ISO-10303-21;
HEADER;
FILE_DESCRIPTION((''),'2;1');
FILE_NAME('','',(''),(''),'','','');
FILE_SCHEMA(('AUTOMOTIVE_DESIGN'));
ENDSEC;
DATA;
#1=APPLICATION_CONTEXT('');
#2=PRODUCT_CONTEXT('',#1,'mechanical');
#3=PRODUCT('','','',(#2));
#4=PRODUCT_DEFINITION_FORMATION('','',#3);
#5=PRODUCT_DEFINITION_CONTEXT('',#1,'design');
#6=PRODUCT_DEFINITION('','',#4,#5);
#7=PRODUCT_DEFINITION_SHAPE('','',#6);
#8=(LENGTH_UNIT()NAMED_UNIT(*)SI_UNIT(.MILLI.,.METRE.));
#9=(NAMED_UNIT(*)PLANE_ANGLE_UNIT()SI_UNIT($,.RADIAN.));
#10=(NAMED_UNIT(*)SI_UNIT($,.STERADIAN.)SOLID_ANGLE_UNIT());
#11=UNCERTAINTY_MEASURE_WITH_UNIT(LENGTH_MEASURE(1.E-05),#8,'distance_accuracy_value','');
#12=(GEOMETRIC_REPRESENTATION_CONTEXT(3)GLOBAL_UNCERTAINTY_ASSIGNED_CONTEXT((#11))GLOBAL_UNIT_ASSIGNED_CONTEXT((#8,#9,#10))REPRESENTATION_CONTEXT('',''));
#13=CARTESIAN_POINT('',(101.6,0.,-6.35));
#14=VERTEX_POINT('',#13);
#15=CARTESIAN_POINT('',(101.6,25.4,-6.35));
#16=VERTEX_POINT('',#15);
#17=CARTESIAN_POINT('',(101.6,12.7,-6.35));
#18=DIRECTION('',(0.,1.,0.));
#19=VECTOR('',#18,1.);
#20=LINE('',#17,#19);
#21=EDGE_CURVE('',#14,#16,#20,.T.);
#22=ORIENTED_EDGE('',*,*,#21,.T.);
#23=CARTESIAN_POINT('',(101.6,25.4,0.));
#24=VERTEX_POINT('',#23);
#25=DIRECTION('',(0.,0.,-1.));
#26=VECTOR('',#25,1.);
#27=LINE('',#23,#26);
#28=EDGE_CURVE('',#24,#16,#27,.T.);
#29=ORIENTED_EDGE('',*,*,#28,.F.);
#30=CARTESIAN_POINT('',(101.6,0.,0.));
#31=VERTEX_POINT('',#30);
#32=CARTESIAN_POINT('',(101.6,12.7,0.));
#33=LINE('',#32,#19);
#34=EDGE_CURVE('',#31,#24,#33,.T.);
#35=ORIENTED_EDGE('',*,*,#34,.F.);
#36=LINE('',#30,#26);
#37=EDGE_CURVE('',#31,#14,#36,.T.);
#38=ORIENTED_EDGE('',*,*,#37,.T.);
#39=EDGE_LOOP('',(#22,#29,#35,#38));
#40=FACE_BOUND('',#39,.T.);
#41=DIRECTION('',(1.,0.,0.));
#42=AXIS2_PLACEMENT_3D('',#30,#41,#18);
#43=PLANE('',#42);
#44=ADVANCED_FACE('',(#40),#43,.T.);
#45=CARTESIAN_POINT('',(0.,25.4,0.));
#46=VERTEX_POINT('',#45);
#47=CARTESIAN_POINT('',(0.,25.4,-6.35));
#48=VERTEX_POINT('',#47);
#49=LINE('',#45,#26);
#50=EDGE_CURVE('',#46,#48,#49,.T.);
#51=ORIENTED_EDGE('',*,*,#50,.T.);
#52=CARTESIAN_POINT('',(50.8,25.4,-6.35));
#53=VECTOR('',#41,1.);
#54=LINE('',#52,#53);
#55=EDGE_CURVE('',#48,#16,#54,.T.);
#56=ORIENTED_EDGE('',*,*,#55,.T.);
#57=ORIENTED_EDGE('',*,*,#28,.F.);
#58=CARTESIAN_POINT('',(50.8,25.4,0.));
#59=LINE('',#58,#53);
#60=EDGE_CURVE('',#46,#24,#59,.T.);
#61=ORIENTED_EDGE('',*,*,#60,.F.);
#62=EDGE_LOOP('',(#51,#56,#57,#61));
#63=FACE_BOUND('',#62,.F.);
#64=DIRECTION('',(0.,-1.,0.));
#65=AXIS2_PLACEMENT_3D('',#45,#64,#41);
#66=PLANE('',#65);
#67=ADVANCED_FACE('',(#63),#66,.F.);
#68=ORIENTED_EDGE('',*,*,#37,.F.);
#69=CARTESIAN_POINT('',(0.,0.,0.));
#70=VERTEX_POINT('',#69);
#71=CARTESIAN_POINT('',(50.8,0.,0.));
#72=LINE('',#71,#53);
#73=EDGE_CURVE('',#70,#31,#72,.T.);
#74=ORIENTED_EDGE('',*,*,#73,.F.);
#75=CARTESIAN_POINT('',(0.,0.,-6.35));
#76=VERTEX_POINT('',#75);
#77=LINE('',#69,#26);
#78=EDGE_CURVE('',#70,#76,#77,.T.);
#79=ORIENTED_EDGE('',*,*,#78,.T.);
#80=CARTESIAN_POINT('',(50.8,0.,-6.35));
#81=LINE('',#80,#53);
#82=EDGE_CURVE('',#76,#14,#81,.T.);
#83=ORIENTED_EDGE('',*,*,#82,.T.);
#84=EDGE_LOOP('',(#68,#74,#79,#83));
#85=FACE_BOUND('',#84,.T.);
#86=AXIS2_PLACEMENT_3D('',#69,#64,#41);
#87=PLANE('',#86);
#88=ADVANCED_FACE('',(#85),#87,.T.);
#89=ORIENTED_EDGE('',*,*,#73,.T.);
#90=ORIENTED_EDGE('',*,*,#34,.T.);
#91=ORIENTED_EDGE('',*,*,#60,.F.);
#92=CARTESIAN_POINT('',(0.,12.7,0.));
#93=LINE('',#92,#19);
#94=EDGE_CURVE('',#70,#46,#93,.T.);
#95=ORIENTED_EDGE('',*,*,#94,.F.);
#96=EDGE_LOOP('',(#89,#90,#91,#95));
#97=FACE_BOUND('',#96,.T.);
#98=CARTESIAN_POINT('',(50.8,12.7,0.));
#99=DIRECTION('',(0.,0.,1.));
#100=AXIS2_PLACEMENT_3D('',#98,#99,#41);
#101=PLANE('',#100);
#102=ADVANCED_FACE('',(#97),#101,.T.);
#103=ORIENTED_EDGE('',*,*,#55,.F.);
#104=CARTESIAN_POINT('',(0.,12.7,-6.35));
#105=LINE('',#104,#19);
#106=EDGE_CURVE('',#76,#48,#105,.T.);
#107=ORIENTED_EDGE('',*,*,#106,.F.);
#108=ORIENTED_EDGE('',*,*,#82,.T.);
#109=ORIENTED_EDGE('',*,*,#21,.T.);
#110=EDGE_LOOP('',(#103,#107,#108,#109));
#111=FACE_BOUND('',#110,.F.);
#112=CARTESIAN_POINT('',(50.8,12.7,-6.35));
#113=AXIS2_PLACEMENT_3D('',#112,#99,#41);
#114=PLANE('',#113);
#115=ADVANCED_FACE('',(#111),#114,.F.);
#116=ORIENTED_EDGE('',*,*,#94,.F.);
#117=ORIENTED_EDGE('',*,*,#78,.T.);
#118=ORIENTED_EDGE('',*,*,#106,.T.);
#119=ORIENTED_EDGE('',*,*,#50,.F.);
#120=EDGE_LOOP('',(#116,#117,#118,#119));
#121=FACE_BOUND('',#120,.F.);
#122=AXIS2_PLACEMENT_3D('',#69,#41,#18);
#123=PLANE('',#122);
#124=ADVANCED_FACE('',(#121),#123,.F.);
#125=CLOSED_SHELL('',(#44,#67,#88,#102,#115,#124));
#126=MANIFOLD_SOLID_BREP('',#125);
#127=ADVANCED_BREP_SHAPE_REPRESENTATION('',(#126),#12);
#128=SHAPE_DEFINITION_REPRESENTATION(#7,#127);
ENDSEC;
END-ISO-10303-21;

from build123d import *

# Parameters (mm, degrees)
SKETCH1_W      = 101.6
SKETCH1_H      = 25.4
EXTRUDE1_DEPTH = 6.35


with BuildPart() as part:
    # Sketch1 → Extrude1 (new body)
    with BuildSketch(Plane.XY):
        with Locations((50.8, 12.7)):
            Rectangle(SKETCH1_W, SKETCH1_H)
    extrude(amount=-EXTRUDE1_DEPTH)


solid = part.part
